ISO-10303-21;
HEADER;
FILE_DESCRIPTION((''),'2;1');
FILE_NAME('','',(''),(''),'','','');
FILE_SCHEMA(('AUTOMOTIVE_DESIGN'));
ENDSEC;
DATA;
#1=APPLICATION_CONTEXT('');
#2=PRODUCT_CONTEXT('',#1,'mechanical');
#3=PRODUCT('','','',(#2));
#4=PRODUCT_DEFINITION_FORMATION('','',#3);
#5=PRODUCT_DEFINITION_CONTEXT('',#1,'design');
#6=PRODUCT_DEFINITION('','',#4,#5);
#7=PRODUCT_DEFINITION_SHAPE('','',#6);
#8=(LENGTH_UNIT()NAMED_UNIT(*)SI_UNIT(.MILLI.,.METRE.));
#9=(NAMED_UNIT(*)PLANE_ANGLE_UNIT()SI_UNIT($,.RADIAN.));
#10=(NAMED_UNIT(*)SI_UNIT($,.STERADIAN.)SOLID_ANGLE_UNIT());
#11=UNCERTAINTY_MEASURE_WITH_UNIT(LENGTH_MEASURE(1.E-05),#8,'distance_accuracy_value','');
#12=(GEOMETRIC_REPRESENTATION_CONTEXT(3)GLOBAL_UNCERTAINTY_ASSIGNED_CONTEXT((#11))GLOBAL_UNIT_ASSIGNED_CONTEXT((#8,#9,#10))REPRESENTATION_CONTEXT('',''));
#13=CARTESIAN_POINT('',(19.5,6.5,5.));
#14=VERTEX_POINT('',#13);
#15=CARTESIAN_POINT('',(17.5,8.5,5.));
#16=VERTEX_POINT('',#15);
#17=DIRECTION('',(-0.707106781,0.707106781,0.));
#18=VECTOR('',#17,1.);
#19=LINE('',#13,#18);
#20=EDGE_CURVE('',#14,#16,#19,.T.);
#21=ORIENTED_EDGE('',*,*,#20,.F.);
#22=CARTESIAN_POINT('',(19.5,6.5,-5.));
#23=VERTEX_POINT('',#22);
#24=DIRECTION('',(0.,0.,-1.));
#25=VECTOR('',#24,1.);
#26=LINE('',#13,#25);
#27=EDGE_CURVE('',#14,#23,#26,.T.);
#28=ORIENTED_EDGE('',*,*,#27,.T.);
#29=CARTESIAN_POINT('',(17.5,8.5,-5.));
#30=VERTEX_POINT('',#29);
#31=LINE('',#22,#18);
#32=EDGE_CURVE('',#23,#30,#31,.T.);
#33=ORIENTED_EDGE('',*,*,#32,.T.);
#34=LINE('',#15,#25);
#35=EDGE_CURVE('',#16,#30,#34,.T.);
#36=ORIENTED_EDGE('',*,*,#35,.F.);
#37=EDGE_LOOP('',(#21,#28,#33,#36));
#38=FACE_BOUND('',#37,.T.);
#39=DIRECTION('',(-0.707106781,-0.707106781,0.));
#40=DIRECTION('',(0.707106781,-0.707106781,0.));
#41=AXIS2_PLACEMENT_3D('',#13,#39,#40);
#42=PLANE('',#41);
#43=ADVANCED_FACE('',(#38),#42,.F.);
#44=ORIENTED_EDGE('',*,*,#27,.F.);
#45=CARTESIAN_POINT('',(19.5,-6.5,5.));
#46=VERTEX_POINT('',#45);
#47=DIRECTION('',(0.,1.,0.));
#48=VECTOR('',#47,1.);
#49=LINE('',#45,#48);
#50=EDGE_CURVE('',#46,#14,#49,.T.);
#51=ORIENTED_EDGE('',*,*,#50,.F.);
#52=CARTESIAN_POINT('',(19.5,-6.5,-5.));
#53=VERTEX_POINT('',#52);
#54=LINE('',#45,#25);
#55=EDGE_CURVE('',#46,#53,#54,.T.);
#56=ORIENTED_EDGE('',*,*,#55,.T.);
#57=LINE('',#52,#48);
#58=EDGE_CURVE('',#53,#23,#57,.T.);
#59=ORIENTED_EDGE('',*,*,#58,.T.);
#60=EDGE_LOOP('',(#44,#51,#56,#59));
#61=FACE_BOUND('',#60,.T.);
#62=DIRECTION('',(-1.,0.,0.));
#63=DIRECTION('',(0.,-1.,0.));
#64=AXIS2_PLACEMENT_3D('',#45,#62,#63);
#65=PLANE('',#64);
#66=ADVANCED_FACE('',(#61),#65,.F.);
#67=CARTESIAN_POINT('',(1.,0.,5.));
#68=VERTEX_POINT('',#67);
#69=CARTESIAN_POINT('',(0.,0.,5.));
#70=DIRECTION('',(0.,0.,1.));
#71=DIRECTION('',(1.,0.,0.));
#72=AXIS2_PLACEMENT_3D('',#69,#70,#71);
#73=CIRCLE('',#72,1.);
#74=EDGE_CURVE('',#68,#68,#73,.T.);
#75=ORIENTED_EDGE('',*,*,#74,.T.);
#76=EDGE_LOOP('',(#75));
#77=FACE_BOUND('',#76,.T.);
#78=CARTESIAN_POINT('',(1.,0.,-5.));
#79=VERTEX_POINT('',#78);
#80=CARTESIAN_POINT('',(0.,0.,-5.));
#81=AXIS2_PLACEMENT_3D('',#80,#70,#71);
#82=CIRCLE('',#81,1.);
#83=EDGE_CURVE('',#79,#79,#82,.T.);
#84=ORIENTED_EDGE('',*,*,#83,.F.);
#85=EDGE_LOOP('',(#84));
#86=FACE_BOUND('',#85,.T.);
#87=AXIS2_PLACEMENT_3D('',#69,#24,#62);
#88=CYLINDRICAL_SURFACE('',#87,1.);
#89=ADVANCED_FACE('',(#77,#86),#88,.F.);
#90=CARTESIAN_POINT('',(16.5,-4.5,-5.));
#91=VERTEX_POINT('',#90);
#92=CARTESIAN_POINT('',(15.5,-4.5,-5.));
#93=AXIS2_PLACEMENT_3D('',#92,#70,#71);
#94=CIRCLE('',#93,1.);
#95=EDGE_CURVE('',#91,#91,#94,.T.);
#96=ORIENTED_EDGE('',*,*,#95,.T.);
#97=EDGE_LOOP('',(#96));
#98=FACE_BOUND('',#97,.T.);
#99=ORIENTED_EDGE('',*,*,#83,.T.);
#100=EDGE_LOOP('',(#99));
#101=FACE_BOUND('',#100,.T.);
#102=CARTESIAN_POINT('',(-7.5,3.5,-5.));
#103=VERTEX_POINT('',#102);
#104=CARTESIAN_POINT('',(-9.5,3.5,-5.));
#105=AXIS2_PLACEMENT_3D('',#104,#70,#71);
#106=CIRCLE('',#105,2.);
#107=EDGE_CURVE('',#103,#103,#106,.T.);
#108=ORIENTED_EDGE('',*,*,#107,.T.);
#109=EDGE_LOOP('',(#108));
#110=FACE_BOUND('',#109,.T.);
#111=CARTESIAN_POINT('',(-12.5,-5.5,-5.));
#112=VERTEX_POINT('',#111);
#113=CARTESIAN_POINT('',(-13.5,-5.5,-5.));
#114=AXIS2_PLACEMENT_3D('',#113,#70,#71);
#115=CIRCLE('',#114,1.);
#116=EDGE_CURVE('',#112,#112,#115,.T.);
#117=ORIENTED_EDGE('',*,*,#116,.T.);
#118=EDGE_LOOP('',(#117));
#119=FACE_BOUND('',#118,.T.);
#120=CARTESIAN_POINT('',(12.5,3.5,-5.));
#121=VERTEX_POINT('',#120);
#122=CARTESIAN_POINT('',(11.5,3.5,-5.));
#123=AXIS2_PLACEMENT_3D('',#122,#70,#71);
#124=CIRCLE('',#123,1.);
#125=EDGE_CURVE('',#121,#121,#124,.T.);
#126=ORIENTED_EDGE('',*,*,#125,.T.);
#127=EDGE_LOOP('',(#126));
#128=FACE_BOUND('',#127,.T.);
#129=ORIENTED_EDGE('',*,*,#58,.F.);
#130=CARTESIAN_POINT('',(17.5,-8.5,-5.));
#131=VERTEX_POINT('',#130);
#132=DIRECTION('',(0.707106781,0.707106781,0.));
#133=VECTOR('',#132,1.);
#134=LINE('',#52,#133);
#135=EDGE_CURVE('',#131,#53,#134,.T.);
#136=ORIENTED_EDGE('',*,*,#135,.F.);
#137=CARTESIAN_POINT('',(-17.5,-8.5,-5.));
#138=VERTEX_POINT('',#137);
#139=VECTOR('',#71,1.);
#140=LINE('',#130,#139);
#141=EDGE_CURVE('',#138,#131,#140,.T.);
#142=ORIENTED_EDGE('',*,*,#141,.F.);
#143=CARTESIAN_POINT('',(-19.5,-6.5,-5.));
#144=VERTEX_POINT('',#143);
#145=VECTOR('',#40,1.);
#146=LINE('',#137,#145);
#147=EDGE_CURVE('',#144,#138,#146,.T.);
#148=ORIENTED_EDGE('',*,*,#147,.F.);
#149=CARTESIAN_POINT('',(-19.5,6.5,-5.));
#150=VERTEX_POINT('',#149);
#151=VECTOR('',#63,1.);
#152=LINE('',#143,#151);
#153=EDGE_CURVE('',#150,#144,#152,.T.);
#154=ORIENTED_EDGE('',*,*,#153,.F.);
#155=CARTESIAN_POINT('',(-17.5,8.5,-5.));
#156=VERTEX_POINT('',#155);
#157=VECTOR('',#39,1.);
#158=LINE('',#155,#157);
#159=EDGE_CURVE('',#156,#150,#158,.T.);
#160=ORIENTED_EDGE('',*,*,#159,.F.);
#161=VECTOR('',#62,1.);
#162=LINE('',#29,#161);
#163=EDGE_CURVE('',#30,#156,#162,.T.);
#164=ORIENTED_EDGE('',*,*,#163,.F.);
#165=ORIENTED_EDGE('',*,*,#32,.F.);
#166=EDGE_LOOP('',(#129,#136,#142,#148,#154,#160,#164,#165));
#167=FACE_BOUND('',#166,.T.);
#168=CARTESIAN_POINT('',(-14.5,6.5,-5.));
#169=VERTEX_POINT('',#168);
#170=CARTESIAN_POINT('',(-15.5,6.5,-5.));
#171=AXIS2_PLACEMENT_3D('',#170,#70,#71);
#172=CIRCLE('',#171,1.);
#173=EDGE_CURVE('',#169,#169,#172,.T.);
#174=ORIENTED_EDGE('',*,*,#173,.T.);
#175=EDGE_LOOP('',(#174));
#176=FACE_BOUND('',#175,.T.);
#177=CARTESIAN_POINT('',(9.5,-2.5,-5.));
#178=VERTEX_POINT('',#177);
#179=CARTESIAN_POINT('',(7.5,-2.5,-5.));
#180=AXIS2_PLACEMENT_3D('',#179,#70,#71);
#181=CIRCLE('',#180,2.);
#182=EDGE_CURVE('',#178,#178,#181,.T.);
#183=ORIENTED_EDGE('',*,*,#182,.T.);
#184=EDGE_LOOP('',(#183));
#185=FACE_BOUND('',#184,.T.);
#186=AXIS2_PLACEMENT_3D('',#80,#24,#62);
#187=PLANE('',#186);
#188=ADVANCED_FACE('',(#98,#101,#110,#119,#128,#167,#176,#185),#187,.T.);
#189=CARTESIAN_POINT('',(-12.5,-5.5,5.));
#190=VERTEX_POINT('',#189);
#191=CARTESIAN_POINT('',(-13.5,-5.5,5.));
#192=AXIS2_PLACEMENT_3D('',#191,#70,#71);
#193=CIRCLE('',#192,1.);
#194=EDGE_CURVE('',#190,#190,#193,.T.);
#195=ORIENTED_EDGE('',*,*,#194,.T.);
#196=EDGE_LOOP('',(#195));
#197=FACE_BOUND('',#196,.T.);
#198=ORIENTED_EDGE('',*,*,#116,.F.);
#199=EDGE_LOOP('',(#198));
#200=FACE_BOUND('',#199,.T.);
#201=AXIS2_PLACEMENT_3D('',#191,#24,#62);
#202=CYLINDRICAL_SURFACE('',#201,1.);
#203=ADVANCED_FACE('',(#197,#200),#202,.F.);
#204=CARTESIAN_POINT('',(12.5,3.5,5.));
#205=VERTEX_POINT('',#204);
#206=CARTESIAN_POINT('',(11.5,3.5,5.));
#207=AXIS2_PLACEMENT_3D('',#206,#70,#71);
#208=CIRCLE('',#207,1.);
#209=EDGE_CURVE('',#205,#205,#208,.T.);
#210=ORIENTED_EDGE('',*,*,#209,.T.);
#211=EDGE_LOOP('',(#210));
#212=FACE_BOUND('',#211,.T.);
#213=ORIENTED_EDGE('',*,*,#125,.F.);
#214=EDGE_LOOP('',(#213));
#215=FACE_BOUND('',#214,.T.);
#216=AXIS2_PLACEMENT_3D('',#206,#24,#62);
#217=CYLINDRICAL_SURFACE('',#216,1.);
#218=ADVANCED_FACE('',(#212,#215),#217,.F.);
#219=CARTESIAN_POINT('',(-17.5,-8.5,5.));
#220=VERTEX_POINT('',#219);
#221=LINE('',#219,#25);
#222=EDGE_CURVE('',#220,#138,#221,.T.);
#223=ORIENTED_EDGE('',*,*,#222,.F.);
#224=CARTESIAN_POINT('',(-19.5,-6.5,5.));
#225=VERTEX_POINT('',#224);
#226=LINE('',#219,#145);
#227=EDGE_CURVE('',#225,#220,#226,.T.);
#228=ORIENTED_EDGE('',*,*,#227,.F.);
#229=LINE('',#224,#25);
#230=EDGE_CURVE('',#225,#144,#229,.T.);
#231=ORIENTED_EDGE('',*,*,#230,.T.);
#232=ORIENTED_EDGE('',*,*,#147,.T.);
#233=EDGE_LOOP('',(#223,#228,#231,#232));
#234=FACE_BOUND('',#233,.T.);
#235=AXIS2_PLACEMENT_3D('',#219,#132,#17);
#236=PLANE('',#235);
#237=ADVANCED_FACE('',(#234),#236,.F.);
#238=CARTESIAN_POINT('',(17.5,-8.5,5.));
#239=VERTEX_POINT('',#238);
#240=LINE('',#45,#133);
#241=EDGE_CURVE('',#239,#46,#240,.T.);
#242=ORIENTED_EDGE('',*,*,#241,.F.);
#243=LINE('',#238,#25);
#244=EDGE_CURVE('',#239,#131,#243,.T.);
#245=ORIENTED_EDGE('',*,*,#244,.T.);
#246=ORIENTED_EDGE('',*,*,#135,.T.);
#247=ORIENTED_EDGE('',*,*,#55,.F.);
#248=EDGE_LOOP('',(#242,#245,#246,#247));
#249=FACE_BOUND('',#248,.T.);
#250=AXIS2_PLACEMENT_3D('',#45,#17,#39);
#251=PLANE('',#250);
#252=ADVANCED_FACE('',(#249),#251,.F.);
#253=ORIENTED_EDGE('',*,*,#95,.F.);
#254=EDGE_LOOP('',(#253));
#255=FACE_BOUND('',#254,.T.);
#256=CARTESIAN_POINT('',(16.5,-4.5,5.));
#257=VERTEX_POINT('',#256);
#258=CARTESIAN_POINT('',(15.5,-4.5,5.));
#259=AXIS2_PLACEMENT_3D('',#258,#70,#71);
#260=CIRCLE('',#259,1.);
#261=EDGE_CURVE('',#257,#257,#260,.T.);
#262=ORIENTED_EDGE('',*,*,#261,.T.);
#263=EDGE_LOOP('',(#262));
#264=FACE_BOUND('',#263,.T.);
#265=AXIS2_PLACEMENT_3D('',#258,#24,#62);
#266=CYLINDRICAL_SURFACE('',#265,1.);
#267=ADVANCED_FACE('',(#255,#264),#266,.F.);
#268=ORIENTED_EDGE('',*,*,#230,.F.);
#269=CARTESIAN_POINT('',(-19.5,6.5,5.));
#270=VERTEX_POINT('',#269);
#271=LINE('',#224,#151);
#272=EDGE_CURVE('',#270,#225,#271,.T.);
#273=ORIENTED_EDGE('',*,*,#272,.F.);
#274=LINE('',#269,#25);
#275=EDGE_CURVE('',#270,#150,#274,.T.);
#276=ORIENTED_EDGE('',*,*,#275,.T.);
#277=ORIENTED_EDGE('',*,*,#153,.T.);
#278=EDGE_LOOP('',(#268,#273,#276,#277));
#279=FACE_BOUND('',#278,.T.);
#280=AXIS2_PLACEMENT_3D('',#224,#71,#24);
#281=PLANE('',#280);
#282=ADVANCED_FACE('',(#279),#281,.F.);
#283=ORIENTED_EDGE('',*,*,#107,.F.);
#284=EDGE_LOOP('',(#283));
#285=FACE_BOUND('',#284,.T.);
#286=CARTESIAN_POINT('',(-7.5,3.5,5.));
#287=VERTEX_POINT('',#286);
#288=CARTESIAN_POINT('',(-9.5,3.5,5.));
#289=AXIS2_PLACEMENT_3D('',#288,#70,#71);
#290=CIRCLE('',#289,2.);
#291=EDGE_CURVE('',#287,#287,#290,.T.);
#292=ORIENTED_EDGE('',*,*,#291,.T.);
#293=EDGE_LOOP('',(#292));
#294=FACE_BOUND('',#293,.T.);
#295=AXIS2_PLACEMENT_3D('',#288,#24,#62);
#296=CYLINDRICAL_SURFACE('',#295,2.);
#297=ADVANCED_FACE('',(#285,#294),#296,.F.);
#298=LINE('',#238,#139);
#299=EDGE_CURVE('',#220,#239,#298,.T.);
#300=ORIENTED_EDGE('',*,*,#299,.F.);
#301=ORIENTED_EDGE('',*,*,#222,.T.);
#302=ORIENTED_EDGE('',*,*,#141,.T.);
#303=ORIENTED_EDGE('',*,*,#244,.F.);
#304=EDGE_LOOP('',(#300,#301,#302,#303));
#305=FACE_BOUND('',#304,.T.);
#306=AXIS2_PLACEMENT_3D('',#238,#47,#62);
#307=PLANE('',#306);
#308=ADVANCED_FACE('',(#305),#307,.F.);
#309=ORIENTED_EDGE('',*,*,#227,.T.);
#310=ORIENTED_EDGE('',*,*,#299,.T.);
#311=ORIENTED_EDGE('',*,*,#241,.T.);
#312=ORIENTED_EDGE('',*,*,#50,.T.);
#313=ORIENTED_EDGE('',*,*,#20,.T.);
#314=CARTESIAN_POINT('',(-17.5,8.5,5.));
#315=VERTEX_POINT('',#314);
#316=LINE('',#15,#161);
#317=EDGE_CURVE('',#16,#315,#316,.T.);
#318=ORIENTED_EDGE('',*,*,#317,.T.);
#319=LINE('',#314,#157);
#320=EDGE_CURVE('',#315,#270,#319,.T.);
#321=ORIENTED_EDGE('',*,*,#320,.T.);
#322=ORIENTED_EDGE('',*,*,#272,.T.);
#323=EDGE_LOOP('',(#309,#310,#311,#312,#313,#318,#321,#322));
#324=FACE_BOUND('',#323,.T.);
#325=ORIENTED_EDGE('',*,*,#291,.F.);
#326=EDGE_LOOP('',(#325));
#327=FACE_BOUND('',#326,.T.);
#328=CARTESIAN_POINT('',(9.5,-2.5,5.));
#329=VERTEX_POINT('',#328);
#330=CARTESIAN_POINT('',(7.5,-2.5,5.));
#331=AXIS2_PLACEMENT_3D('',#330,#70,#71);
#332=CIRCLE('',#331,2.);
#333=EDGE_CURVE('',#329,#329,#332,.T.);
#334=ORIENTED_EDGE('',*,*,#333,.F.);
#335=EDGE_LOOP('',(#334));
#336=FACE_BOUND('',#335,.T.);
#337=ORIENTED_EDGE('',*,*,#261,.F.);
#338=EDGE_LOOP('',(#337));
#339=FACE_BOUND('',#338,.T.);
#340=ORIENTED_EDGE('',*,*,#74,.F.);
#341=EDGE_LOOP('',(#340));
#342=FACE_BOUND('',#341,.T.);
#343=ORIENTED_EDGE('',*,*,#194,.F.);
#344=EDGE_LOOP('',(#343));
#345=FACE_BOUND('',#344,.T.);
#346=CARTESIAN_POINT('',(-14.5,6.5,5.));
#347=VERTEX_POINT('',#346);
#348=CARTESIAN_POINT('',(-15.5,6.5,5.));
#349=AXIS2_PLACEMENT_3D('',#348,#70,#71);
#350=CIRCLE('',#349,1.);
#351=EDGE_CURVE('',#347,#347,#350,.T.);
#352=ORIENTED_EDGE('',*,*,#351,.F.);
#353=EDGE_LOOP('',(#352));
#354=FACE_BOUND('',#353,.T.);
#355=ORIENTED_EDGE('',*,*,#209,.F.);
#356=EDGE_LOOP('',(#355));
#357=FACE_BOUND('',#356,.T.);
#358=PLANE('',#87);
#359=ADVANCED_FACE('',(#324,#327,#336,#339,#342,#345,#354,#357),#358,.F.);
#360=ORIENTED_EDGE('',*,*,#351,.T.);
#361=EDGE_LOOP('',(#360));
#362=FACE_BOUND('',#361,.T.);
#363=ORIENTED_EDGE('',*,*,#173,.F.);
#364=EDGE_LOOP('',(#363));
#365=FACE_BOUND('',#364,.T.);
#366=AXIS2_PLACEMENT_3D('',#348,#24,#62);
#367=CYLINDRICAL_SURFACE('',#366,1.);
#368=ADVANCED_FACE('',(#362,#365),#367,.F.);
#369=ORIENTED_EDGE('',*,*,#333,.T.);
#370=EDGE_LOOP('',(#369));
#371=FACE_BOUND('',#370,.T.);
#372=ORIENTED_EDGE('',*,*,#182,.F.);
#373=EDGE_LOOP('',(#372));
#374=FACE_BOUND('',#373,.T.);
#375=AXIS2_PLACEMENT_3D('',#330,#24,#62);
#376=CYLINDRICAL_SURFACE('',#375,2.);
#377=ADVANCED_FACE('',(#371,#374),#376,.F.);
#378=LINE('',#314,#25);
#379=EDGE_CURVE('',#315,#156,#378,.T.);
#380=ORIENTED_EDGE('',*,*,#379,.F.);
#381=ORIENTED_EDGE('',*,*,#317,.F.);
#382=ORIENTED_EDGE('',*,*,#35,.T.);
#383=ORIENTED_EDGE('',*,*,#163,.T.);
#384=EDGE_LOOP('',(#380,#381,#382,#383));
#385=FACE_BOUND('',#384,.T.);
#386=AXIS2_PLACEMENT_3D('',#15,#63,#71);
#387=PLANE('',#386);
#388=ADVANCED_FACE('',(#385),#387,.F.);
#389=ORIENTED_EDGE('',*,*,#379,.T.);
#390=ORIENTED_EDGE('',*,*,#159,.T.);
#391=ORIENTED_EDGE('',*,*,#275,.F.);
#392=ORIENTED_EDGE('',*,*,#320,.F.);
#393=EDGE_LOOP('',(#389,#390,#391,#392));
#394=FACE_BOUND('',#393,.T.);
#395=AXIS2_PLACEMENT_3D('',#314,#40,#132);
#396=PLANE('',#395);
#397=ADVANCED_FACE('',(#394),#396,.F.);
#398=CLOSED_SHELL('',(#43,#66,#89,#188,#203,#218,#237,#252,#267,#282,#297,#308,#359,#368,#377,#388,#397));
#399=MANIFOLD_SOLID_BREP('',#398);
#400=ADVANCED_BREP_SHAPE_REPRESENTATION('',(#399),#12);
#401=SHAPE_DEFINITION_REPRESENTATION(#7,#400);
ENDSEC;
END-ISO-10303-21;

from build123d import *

# Parameters (mm, degrees)
SKETCH2_R           = 1
SKETCH2_R_2         = 2
BOSS_EXTRUDE1_DEPTH = 5


with BuildPart() as part:
    # Sketch2 → Boss-Extrude1 (new, symmetric)
    with BuildSketch(Plane.XY):
        Polygon((-17.5, 8.5), (-19.5, 6.5), (-19.5, -6.5), (-17.5, -8.5), (17.5, -8.5), (19.5, -6.5), (19.5, 6.5), (17.5, 8.5), align=None)
        Circle(SKETCH2_R, mode=Mode.SUBTRACT)
        with Locations((-13.5, -5.5)):
            Circle(SKETCH2_R, mode=Mode.SUBTRACT)
        with Locations((-15.5, 6.5)):
            Circle(SKETCH2_R, mode=Mode.SUBTRACT)
        with Locations((-9.5, 3.5)):
            Circle(SKETCH2_R_2, mode=Mode.SUBTRACT)
        with Locations((7.5, -2.5)):
            Circle(SKETCH2_R_2, mode=Mode.SUBTRACT)
        with Locations((15.5, -4.5)):
            Circle(SKETCH2_R, mode=Mode.SUBTRACT)
        with Locations((11.5, 3.5)):
            Circle(SKETCH2_R, mode=Mode.SUBTRACT)
    extrude(amount=BOSS_EXTRUDE1_DEPTH, both=True)


solid = part.part
